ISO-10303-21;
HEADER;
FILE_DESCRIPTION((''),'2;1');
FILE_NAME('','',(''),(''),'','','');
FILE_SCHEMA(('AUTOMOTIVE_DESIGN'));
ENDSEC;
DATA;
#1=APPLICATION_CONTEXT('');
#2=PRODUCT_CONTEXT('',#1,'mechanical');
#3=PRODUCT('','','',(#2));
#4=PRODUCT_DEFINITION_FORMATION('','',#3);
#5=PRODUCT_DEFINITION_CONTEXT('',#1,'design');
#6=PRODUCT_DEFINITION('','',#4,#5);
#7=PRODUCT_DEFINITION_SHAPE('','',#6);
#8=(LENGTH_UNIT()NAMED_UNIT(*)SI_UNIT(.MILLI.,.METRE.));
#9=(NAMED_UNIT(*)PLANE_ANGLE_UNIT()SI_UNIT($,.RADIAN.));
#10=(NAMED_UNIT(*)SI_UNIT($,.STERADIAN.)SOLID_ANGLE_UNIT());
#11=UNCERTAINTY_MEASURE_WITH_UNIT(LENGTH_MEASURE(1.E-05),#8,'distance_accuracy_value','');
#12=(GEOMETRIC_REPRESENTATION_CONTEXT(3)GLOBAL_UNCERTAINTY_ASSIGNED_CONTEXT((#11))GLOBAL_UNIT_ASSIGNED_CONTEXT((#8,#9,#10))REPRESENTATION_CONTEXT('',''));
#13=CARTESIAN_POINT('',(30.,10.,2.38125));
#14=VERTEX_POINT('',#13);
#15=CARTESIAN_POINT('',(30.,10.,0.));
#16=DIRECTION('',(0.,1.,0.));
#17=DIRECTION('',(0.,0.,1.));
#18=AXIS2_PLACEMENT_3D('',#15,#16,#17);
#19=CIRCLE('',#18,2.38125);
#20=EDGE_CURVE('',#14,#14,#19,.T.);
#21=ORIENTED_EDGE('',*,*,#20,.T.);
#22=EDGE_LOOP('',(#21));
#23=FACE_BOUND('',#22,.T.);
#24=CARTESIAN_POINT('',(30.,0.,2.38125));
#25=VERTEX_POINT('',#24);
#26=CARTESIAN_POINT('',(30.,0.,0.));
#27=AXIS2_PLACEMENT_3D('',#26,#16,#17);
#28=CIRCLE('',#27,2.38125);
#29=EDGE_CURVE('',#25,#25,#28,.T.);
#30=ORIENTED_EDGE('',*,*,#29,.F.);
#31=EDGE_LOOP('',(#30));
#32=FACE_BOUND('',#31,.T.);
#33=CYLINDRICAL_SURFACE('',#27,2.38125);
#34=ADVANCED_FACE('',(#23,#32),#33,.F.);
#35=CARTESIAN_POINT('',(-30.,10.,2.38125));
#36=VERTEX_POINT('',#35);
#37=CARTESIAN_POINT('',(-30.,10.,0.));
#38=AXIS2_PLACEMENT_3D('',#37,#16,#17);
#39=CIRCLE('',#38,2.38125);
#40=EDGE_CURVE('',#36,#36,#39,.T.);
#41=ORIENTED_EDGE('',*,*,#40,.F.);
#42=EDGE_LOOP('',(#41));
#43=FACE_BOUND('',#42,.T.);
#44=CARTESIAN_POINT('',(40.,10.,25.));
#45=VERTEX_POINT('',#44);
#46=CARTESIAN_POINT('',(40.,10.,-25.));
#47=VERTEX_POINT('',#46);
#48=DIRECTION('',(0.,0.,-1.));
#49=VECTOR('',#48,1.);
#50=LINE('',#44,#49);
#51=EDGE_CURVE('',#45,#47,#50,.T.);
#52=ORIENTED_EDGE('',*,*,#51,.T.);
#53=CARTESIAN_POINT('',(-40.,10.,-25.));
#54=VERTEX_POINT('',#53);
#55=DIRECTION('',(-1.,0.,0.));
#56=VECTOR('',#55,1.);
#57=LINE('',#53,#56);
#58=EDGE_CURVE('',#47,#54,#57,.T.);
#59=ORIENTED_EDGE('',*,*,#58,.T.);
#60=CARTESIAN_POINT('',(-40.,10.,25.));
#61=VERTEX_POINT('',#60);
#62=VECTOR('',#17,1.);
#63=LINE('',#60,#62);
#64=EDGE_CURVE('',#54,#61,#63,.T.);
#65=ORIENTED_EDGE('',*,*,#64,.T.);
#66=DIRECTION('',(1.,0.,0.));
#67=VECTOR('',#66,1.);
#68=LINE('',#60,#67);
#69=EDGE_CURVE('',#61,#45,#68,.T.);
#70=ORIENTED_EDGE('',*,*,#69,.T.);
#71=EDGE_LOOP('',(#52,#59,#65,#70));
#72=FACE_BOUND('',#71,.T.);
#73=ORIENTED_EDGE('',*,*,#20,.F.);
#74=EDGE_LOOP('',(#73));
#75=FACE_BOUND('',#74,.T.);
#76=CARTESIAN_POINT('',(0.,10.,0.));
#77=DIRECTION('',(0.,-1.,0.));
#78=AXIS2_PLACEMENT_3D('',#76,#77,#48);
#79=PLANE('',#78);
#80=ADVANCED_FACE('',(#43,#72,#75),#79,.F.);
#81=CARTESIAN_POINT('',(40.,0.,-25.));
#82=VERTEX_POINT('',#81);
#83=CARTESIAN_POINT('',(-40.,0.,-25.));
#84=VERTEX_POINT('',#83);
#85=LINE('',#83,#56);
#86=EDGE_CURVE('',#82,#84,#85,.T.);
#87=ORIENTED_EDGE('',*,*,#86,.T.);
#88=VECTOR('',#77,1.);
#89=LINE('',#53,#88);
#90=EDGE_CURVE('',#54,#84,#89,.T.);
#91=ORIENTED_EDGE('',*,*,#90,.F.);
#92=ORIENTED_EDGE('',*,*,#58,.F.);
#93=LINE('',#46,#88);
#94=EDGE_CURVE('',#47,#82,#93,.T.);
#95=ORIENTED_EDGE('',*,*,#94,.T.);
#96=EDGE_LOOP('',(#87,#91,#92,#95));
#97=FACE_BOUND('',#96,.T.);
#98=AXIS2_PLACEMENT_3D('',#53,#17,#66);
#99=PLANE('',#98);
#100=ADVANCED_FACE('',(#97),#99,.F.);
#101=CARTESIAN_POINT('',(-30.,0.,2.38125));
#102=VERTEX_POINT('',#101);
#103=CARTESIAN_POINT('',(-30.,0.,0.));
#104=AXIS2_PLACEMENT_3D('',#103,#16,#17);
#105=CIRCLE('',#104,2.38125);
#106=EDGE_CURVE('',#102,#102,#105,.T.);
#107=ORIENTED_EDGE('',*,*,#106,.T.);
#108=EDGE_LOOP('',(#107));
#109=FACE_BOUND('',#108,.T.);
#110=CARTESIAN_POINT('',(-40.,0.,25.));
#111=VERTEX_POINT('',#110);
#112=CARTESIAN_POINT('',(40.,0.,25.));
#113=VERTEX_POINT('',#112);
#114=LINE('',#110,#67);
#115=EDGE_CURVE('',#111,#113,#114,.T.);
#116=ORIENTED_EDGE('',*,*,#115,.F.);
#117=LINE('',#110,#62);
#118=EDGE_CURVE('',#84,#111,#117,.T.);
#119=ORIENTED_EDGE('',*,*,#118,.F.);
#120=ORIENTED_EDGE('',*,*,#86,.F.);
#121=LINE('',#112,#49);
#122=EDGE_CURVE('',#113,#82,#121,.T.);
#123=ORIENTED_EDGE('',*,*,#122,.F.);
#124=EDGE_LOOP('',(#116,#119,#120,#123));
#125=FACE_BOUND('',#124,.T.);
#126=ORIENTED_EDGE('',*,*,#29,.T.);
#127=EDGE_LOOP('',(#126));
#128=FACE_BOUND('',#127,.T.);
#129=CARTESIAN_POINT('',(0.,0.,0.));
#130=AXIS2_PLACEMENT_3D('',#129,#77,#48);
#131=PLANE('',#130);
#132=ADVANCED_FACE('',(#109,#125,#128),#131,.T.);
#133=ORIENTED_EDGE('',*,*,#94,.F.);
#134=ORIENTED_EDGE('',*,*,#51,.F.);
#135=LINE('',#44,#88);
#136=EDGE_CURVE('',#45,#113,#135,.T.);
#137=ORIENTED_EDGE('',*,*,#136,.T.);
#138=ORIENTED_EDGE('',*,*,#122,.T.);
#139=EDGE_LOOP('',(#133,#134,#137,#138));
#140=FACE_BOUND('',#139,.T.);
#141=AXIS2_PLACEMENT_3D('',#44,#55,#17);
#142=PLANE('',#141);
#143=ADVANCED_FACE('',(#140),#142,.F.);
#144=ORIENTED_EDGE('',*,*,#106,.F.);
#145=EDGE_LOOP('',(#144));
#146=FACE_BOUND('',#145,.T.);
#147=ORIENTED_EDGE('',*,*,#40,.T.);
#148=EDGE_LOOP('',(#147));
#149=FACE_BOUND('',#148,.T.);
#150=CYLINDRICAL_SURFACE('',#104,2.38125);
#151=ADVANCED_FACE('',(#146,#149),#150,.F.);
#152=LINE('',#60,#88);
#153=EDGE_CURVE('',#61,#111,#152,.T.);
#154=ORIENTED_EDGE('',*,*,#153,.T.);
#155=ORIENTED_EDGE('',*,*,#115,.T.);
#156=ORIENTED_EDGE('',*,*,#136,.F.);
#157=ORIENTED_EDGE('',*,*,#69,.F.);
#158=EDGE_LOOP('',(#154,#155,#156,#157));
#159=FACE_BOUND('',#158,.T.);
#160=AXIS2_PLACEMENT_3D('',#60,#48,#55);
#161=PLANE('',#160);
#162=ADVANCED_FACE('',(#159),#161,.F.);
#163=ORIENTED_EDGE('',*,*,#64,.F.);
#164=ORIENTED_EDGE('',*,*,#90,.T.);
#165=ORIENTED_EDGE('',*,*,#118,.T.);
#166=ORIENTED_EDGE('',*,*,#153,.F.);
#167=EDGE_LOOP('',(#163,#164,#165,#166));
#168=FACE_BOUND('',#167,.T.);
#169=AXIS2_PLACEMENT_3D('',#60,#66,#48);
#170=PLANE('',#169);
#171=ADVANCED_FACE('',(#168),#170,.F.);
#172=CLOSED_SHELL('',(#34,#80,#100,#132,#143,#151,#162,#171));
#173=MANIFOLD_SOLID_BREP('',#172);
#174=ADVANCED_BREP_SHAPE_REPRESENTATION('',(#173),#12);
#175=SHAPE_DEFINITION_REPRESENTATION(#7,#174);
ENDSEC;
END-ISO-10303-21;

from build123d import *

# Parameters (mm, degrees)
SKETCH1_W           = 80
SKETCH1_H           = 50
BOSS_EXTRUDE1_DEPTH = 10
SKETCH2_R           = 2.38125
CUT_EXTRUDE1_DEPTH  = 10


with BuildPart() as part:
    # Sketch1 → Boss-Extrude1 (new body)
    with BuildSketch(Plane(origin=(0, 0, 0), x_dir=(1, 0, 0), z_dir=(0, 1, 0))):
        Rectangle(SKETCH1_W, SKETCH1_H)
    extrude(amount=BOSS_EXTRUDE1_DEPTH)

    # Sketch2 → Cut-Extrude1 (cut)
    with BuildSketch(Plane(origin=(0, 10, 0), x_dir=(1, 0, 0), z_dir=(0, 1, 0))):
        with Locations((-30, 0)):
            Circle(SKETCH2_R)
        with Locations((30, 0)):
            Circle(SKETCH2_R)
    extrude(amount=-CUT_EXTRUDE1_DEPTH, mode=Mode.SUBTRACT)


solid = part.part
